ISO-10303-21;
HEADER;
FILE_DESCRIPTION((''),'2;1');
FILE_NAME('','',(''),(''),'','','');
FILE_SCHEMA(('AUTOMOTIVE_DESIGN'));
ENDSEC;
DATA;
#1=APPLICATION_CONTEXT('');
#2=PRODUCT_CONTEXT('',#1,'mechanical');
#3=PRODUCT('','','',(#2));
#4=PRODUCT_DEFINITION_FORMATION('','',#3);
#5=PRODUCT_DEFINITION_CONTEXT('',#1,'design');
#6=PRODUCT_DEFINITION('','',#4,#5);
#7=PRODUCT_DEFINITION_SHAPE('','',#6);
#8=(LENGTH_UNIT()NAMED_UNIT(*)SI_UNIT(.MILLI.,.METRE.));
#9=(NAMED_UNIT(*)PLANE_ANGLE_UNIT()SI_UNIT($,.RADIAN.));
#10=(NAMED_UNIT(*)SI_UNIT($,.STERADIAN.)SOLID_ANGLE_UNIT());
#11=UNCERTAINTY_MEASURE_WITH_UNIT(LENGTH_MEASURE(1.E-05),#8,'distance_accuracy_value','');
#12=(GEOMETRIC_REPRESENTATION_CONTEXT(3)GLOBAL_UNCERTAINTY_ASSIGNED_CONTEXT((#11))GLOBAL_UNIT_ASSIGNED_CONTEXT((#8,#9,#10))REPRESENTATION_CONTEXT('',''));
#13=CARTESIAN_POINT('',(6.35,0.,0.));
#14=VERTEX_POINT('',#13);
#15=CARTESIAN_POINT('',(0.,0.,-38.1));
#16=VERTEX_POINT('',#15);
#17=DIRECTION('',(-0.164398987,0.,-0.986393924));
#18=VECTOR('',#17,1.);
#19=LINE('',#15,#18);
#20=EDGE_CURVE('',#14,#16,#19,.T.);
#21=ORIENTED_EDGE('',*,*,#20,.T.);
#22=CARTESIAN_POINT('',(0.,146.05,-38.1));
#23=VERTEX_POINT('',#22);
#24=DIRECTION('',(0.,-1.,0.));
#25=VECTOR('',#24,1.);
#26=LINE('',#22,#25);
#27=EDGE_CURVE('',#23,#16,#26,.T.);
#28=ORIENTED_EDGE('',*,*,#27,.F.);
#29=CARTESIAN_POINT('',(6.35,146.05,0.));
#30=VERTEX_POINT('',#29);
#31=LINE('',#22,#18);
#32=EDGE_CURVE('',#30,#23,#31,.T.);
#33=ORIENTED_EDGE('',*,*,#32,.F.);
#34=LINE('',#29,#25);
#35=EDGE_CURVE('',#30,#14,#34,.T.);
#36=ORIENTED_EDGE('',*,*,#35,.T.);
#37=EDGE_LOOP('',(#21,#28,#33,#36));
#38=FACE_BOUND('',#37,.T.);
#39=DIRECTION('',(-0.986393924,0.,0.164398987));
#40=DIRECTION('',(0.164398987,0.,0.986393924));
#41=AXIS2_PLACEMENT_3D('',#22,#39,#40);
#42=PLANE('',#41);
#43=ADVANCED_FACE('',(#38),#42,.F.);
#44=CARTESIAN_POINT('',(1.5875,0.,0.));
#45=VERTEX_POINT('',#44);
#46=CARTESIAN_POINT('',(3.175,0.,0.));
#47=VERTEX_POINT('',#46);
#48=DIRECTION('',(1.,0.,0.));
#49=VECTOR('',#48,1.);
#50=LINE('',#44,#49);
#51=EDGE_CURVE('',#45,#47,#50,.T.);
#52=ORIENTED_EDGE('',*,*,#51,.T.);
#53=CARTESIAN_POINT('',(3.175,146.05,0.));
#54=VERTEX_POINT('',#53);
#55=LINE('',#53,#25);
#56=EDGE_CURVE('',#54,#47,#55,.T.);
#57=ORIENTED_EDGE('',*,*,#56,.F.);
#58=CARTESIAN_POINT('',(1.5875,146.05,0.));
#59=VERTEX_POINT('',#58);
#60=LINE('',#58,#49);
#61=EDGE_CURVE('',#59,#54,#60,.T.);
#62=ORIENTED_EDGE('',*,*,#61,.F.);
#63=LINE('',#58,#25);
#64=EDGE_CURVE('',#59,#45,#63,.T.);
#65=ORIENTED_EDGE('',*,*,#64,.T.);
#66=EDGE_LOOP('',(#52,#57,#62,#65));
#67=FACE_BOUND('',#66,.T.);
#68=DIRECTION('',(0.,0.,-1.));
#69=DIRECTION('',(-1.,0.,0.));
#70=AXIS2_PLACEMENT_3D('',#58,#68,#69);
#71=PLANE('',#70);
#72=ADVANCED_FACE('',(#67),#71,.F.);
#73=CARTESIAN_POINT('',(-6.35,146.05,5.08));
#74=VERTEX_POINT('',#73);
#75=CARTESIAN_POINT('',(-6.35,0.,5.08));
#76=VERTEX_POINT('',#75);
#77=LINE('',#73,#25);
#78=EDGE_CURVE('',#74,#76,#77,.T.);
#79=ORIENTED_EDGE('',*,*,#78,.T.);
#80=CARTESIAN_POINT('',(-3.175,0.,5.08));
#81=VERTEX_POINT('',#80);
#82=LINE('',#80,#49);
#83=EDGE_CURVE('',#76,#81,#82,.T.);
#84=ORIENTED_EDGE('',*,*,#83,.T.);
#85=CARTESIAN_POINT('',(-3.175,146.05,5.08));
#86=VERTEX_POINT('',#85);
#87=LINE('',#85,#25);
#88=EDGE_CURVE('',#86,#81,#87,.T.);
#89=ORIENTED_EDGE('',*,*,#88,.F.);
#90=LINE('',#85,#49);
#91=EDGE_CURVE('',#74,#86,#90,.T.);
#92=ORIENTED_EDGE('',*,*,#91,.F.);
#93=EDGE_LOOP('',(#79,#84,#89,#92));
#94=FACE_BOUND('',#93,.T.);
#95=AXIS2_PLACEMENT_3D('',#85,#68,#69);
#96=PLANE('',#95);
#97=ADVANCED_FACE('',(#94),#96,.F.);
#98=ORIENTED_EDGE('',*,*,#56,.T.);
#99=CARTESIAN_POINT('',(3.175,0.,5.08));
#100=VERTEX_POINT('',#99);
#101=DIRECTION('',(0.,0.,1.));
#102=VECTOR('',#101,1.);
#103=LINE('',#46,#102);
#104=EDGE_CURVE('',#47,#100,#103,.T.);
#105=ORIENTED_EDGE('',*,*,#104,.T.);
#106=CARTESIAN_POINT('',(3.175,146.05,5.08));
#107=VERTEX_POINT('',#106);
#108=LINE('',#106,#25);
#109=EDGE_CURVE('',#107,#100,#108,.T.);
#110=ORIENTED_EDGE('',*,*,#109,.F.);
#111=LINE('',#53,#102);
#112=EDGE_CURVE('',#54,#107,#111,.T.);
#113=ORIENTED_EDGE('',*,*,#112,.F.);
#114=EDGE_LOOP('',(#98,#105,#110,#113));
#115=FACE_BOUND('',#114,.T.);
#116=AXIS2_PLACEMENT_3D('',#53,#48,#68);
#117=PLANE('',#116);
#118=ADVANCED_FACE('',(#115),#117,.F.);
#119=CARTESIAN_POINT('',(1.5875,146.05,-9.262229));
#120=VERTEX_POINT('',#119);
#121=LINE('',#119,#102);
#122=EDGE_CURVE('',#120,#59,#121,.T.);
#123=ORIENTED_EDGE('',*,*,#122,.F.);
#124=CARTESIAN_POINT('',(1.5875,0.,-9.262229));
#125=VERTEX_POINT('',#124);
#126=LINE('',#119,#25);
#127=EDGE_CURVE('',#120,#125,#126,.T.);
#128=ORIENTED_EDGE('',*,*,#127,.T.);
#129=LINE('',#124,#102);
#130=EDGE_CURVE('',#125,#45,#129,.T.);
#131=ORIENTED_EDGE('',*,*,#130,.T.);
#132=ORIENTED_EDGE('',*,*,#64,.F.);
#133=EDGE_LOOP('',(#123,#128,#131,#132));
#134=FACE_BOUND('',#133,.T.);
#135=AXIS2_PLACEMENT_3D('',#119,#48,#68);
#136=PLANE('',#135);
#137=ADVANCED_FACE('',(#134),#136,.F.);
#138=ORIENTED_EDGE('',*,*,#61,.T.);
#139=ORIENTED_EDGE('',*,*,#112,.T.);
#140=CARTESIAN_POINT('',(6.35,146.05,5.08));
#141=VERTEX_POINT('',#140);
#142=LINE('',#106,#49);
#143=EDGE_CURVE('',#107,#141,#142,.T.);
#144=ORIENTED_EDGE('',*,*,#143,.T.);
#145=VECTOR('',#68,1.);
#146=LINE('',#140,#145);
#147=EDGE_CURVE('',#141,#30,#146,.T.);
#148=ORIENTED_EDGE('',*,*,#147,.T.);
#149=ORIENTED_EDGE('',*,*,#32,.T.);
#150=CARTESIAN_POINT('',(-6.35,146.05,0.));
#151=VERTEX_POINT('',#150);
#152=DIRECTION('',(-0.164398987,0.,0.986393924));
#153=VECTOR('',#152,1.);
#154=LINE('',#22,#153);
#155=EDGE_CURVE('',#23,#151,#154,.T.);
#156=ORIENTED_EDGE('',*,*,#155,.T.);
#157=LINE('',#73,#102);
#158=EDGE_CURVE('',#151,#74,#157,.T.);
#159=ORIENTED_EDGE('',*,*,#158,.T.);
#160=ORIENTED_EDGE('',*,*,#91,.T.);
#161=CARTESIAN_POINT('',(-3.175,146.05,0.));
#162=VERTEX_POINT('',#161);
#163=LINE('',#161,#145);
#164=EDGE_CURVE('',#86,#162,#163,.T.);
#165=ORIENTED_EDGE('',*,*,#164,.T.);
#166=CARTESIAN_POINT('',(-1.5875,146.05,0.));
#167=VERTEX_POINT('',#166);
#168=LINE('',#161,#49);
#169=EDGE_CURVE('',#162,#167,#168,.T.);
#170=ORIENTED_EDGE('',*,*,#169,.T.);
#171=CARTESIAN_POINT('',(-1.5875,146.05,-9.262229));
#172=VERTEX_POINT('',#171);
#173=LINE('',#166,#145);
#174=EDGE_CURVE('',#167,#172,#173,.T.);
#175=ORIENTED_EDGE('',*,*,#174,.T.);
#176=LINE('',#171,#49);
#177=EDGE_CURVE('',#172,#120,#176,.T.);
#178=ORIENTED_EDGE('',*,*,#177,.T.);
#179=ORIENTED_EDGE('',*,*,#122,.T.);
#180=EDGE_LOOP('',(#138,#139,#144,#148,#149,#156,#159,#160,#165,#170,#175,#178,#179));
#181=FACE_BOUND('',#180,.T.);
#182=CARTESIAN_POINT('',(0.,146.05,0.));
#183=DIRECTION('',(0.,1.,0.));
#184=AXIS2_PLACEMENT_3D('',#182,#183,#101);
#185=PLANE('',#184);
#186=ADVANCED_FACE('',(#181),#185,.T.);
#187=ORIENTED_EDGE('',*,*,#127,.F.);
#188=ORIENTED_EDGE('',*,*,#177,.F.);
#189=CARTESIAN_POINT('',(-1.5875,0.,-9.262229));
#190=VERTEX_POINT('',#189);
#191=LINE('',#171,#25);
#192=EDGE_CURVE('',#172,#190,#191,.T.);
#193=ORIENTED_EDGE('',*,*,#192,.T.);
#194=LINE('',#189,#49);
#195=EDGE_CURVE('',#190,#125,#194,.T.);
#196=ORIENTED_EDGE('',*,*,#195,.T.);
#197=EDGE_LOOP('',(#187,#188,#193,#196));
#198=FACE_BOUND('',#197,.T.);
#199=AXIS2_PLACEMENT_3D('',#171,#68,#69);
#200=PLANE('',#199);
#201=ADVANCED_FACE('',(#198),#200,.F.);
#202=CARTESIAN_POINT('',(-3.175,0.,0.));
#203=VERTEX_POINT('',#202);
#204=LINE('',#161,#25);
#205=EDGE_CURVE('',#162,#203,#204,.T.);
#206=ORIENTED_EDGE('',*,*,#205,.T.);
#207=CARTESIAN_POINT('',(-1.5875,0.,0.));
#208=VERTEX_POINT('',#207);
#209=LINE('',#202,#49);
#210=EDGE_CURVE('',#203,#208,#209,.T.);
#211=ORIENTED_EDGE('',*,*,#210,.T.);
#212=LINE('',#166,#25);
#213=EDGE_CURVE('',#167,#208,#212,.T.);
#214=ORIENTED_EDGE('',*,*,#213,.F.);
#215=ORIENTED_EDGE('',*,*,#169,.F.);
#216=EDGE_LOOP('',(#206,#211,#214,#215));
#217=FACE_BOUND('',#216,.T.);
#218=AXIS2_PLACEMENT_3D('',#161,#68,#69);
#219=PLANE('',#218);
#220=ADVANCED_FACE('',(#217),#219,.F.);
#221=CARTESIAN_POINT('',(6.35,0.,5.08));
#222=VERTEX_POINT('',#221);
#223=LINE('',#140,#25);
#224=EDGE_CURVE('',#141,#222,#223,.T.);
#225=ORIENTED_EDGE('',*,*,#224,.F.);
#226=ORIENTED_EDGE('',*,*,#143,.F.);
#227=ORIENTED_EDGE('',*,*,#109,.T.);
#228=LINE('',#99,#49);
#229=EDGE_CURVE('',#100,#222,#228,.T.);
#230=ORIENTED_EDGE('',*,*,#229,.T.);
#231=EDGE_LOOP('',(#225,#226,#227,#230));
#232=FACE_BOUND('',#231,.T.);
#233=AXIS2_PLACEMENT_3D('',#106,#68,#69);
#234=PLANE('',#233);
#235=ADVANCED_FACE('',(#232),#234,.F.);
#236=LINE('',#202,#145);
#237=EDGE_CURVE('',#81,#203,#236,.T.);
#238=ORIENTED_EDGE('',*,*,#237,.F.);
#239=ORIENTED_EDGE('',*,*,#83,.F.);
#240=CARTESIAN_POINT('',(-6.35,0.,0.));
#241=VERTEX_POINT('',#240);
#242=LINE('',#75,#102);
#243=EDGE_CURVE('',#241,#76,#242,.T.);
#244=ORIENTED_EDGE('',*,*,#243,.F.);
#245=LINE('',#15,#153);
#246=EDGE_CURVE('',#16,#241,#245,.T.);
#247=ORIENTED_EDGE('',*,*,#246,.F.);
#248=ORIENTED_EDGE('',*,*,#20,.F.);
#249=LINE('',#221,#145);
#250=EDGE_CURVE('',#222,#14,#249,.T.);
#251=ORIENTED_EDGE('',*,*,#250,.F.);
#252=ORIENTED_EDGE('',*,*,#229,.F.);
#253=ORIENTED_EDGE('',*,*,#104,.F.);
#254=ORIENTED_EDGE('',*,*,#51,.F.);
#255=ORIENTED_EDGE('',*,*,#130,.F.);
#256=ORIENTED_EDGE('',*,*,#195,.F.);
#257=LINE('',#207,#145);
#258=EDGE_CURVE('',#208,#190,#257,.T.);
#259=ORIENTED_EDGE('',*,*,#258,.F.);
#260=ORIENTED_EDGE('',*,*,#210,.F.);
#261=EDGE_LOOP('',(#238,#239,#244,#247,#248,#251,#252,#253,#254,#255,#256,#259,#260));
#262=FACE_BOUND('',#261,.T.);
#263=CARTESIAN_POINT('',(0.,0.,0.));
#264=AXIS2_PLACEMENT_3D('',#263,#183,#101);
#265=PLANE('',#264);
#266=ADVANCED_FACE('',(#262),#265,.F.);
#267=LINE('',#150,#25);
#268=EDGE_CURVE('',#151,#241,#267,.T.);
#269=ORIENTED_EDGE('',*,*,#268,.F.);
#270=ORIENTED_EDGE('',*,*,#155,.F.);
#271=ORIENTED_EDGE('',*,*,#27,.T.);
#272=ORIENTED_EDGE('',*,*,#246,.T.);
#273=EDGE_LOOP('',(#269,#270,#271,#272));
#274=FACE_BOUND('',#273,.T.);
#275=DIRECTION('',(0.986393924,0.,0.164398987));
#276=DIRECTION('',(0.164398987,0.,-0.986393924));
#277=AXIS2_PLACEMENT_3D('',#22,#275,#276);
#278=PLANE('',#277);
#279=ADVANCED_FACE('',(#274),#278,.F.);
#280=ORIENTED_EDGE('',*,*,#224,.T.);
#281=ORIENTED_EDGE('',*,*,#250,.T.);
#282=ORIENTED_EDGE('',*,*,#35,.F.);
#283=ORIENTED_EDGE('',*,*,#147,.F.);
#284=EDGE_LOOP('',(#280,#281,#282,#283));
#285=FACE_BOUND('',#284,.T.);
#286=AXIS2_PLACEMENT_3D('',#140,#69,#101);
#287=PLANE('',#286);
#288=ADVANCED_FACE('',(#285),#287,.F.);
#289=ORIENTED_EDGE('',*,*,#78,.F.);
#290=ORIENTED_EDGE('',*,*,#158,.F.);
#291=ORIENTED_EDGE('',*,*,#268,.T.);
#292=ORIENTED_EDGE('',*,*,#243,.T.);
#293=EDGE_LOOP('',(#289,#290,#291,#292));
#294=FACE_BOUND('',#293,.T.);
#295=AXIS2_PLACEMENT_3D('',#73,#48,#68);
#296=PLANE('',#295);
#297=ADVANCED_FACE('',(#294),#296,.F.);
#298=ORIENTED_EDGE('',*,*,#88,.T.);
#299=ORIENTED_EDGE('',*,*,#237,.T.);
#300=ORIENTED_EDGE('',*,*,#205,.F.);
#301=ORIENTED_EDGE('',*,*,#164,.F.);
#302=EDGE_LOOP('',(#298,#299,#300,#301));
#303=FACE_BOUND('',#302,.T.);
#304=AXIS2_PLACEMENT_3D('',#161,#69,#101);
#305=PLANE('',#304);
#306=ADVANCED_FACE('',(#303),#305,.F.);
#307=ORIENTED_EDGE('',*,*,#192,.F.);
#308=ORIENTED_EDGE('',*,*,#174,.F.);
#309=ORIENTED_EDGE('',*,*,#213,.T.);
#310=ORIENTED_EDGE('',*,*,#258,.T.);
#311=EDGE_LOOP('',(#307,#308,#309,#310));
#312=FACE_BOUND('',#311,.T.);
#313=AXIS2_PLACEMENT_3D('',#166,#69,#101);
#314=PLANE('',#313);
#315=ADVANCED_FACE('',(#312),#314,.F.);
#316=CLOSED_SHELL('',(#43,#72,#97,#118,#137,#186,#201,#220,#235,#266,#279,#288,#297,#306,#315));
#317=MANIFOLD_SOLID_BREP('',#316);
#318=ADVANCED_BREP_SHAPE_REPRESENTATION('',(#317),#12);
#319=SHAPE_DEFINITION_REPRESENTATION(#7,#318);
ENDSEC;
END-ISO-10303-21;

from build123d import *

# Parameters (mm, degrees)
BOSS_EXTRUDE1_DEPTH = 146.05


with BuildPart() as part:
    # Sketch1 → Boss-Extrude1 (new body)
    with BuildSketch(Plane(origin=(0, 0, 0), x_dir=(1, 0, 0), z_dir=(0, 1, 0))):
        Polygon((0, 38.1), (-6.35, 0), (-6.35, -5.08), (-3.175, -5.08), (-3.175, 0), (-1.5875, 0), (-1.5875, 9.262228966), (1.5875, 9.262228966), (1.5875, 0), (3.175, 0), (3.175, -5.08), (6.35, -5.08), (6.35, 0), align=None)
    extrude(amount=BOSS_EXTRUDE1_DEPTH)


solid = part.part
